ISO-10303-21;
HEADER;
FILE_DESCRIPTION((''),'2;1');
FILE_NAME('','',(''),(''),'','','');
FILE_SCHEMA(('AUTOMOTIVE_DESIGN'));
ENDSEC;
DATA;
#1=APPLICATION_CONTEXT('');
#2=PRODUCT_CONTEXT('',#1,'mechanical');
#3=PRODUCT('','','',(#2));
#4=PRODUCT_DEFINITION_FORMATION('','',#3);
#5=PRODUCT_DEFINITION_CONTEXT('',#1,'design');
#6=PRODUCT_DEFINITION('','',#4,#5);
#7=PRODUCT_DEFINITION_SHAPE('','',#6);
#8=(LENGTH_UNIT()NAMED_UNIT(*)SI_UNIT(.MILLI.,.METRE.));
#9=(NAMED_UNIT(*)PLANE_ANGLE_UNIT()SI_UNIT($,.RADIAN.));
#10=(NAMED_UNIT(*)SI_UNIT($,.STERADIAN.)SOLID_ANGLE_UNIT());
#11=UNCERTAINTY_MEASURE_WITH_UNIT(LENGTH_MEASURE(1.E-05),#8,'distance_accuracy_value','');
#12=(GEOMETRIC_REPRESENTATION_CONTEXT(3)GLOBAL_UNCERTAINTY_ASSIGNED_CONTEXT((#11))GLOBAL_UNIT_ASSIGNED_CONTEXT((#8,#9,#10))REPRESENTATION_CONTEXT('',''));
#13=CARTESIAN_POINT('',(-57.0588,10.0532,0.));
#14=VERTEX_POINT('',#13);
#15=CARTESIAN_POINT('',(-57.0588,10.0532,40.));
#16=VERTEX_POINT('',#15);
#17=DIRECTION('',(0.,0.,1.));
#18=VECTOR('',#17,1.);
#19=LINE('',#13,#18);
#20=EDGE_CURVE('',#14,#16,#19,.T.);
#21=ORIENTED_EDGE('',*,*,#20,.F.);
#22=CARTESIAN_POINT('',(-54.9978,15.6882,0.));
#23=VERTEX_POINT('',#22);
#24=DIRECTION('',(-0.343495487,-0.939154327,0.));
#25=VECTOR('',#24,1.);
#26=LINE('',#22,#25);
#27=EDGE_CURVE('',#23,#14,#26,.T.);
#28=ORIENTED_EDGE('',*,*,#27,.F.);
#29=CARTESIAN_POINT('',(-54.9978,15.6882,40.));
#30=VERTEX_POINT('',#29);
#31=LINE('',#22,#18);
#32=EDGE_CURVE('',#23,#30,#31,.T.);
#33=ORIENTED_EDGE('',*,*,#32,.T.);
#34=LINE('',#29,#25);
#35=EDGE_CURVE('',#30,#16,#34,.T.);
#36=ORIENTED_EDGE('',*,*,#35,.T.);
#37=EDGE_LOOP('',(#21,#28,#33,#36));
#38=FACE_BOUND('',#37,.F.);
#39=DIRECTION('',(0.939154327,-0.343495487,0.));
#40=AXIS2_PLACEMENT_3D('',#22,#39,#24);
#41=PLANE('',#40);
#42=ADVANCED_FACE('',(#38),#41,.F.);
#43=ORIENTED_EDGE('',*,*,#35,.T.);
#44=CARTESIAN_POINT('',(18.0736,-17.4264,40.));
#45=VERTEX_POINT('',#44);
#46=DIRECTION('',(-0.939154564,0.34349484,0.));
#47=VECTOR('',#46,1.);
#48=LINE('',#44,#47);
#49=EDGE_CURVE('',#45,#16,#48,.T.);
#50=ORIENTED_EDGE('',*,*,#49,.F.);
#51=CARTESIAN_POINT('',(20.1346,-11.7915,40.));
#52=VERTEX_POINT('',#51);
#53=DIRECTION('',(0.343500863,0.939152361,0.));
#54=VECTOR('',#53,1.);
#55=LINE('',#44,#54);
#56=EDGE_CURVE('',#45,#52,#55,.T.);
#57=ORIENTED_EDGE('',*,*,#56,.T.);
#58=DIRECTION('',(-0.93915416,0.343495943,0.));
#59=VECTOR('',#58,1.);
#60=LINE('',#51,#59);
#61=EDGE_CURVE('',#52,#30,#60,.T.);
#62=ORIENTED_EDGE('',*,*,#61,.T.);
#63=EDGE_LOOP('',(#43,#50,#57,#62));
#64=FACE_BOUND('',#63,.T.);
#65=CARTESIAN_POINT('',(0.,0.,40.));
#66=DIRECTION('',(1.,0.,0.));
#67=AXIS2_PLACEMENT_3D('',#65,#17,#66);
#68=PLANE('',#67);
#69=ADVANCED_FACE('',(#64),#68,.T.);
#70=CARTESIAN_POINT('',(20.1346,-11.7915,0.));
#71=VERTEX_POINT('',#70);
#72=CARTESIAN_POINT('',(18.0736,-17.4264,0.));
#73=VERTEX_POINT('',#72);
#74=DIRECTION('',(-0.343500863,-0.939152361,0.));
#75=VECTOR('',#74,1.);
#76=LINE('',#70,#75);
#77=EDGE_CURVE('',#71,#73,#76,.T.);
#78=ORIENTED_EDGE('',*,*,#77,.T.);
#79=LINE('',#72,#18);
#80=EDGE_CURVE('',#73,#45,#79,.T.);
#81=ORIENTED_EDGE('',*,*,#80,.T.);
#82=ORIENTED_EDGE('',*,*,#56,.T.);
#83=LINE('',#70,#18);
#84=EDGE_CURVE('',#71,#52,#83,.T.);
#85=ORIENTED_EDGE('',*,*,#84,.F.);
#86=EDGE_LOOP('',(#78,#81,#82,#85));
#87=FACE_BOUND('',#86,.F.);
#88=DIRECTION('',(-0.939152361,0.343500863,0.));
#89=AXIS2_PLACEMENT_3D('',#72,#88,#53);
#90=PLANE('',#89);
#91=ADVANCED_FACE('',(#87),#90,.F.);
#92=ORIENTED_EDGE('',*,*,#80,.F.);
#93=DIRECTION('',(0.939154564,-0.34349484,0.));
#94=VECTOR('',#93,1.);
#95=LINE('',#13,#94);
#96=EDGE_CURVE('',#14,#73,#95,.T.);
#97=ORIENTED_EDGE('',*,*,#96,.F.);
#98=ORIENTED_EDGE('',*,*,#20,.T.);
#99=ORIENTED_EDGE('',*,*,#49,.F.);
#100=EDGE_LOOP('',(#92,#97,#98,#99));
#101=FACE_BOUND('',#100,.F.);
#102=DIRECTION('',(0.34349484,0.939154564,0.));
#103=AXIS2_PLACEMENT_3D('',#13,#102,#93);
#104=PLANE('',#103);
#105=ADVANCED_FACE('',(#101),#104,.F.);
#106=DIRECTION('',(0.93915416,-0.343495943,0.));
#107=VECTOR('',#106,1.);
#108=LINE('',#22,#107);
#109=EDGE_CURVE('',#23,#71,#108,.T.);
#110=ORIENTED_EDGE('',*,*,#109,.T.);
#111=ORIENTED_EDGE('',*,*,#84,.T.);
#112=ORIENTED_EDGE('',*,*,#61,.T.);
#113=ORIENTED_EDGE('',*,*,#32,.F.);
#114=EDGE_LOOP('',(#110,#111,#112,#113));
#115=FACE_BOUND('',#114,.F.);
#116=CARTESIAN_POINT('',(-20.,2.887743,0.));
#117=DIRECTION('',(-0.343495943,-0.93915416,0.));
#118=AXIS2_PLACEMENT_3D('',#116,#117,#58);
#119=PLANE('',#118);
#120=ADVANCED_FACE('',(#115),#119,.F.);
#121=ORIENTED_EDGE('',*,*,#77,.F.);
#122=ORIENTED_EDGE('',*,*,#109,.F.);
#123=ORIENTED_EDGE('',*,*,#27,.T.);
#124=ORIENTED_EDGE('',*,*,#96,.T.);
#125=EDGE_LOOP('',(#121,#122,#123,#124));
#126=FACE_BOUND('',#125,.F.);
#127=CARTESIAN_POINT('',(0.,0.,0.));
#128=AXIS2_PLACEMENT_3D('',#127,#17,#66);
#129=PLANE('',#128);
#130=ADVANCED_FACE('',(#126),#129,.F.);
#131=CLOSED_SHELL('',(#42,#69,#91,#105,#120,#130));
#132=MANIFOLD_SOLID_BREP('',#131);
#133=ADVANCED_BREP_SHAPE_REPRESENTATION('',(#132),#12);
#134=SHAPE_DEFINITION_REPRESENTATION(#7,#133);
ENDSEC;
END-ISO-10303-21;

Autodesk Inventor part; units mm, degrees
ref_plane "YZ Plane" through (0, 0, 0) normal (1, 0, 0) x (0, 1, 0)
ref_plane "XZ Plane" through (0, 0, 0) normal (0, 1, 0) x (-1, 0, 0)
ref_plane "XY Plane" through (0, 0, 0) normal (0, 0, 1) x (1, 0, 0)
sketch "Sketch1" plane through (0, 0, 0) normal (0, 0, 1) x (1, 0, 0)
  line L0 (-60, -100) -> (60, -100)
  line L1 (60, -100) -> (60, 100)
  line L2 (60, 100) -> (-60, 100)
  line L3 (-60, 100) -> (-60, -100)
  line L4 (-60, -100) -> (60, 100) construction
  line L5 (60, -100) -> (-60, 100) construction
  line L6 (-60, 68.3879) -> (-20, 68.3879)
  line L7 (60, 18.819) -> (20, 18.819)
  line L8 (-20, 68.3879) -> (-20, -101.8705)
  line L9 (-20, 68.3879) -> (-20, 105.2952)
  line L10 (20, 18.819) -> (20, 105.2952)
  line L11 (20, 18.819) -> (20, -103.7563)
  line L12 (56.9386, -47.8111) -> (-20, -69.7303)
  line L13 (56.9386, -47.8111) -> (58.5825, -53.5815)
  line L14 (58.5825, -53.5815) -> (-18.3561, -75.5007)
  line L15 (-18.3561, -75.5007) -> (-20, -69.7303)
  line L16 (20.1346, -11.7915) -> (-54.9978, 15.6882)
  line L17 (-54.9978, 15.6882) -> (-57.0588, 10.0532)
  line L18 (-57.0588, 10.0532) -> (18.0736, -17.4264)
  line L19 (18.0736, -17.4264) -> (20.1346, -11.7915)
  line L20 (20.1346, -11.7915) -> (-57.0588, 10.0532) construction
  line L21 (-54.9978, 15.6882) -> (18.0736, -17.4264) construction
  line L22 (-18.3561, 42.3147) -> (-18.3561, 2.3147)
  line L23 (57.9386, 71.0043) -> (-19, 49.0851)
  line L24 (57.9386, 71.0043) -> (59.5825, 65.2339)
  line L25 (59.5825, 65.2339) -> (-17.3561, 43.3147)
  line L26 (-17.3561, 43.3147) -> (-19, 49.0851)
  line L27 (18.0736, -17.4264) -> (18.0736, -57.4264)
  point P0 (0, 0)
  point P1 (-15.0354, 25.059)
  dimension "d0" = 120
  dimension "d1" = 200
  dimension "d2" = 40
  dimension "d3" = 40
  dimension "d4" = 80
  dimension "d5" = 6
  dimension "d6" = 80
  dimension "d7" = 6
  dimension "d8" = 40
  dimension "d9" = 15.902
  dimension "d10" = 80
  dimension "d11" = 6
  dimension "d12" = 39.8706
  dimension "d13" = 40
extrude "Extrusion2" add sketch "Sketch1" along normal blind 40 contours L18 L17 L16 L8 | L8 L16 L11 L19 L18 | L11 L16 L19
properties part number "zigzags"
